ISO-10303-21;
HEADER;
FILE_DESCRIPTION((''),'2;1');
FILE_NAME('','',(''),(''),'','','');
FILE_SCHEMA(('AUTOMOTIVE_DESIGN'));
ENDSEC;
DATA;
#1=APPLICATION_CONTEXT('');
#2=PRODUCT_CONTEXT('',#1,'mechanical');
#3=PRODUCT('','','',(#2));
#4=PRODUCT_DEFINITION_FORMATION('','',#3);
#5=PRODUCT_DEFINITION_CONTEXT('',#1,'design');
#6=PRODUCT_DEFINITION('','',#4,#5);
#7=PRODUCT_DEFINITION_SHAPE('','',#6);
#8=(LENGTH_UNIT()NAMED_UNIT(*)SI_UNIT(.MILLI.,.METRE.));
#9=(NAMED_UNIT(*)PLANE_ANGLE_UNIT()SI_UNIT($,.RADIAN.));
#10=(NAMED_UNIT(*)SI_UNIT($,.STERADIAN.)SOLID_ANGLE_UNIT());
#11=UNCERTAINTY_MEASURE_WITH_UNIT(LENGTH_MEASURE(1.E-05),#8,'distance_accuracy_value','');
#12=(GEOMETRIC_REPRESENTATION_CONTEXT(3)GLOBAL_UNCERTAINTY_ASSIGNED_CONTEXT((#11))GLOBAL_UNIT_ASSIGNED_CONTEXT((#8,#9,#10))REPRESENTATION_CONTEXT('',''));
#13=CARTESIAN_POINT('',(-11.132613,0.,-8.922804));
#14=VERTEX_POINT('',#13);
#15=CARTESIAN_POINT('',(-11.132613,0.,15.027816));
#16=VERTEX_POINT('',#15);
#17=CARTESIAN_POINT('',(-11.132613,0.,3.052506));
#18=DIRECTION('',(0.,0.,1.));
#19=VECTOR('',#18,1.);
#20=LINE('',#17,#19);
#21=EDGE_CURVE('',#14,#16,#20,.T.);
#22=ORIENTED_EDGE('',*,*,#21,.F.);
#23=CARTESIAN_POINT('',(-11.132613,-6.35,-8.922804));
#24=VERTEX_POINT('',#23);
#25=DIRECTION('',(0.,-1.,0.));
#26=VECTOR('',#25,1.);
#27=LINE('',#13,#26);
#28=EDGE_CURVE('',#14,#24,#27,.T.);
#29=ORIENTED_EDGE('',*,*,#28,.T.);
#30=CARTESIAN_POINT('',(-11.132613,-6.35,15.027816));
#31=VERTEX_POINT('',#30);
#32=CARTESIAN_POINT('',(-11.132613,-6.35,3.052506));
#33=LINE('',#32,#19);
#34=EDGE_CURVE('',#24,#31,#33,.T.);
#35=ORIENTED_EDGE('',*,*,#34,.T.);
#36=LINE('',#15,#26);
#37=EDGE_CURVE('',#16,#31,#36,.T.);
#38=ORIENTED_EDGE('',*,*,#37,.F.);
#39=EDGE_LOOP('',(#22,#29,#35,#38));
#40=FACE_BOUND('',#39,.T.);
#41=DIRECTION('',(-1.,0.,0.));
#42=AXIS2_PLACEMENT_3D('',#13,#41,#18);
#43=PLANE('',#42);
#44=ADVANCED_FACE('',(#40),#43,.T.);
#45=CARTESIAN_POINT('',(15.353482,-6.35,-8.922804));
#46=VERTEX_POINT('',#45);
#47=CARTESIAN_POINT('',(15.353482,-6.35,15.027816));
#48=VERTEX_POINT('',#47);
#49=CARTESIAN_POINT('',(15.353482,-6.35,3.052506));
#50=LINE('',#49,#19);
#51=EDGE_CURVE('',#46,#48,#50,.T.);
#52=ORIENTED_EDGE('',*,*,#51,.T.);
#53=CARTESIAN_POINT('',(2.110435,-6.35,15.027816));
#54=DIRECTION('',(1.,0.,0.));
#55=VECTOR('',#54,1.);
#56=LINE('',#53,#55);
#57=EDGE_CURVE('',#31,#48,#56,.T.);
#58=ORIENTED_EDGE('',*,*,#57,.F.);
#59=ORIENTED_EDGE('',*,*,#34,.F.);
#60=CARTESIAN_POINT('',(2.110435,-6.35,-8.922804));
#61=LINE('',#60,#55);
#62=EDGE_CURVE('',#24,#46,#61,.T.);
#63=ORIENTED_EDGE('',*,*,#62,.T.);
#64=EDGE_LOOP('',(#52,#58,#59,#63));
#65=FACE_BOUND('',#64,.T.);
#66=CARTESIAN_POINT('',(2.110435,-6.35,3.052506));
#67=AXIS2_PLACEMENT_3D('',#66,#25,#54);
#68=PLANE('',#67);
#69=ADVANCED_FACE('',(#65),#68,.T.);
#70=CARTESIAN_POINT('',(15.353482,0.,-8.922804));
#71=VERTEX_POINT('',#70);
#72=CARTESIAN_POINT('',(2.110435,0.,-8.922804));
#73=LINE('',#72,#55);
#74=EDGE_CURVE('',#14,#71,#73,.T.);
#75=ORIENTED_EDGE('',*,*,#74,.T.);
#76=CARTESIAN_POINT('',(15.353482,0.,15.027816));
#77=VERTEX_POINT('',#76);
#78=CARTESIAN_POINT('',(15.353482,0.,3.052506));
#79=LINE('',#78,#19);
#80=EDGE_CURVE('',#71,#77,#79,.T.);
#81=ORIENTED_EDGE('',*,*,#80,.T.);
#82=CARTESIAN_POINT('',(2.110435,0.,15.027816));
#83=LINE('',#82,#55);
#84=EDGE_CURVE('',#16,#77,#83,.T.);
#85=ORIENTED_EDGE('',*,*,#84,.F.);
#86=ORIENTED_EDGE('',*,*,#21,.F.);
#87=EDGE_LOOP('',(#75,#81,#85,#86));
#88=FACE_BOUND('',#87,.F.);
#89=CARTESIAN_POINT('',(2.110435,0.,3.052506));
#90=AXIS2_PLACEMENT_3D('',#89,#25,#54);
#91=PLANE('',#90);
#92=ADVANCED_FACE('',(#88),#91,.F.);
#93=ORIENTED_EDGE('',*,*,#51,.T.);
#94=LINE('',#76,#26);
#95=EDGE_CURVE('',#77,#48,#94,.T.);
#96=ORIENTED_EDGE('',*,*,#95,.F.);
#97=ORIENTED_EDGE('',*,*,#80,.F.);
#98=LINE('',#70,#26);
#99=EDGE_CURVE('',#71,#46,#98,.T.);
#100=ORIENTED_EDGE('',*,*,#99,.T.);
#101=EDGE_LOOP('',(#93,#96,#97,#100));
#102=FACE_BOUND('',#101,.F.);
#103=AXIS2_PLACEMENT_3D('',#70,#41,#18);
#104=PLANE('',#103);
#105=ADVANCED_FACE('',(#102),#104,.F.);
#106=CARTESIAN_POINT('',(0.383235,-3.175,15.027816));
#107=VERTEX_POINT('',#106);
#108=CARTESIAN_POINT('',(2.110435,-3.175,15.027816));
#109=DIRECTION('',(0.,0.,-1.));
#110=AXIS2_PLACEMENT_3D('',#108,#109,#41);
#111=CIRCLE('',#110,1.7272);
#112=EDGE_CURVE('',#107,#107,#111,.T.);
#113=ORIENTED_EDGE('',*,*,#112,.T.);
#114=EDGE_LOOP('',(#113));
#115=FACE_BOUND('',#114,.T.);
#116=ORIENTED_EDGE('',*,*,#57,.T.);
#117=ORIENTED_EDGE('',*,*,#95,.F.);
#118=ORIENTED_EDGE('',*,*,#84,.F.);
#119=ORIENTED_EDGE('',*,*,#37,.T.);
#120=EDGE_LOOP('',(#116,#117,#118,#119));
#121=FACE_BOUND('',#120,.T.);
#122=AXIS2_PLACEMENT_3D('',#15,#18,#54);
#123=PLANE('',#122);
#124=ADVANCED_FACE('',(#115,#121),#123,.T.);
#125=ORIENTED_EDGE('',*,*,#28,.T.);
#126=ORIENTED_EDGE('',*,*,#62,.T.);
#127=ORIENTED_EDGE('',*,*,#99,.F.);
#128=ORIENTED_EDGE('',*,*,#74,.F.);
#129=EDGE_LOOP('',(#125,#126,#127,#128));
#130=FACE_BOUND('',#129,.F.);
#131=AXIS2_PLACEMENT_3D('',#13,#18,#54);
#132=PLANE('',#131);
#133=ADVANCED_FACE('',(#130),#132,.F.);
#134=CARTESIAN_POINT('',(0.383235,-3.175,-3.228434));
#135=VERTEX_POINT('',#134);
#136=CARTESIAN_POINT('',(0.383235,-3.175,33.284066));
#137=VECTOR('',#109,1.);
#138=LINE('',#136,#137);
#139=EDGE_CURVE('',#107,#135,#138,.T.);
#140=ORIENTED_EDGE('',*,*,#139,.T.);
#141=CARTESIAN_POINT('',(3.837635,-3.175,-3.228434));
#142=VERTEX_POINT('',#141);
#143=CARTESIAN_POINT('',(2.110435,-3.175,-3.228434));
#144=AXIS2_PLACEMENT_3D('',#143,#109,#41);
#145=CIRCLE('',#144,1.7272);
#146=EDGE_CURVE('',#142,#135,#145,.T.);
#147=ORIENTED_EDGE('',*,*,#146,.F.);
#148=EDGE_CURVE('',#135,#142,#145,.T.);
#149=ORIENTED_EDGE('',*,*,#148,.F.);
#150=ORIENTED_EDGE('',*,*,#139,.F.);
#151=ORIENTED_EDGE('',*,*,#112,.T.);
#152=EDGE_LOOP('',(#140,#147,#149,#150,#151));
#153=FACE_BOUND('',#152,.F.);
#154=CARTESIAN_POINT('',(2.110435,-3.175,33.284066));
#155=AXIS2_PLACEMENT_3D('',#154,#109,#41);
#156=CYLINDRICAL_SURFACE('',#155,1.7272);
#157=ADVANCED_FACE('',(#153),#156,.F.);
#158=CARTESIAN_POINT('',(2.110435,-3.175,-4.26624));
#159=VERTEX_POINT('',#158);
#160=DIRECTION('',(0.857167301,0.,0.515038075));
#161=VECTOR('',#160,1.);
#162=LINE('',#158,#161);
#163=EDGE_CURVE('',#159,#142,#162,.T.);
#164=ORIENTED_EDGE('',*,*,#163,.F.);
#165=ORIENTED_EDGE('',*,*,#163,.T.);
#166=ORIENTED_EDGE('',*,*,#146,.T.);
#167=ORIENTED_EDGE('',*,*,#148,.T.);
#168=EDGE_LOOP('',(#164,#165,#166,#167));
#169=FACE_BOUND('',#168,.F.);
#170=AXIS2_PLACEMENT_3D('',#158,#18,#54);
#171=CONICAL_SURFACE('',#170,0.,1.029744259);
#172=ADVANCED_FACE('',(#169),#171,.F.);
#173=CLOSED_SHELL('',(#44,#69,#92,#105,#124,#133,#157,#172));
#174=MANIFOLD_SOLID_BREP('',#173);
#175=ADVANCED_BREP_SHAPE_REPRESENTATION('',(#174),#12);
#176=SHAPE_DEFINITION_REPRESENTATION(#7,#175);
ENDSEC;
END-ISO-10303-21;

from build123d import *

# Parameters (mm, degrees)
F0_W     = 26.486095041
F0_H     = 23.9506205544
F1_DEPTH = 6.35
F3_D     = 3.4544
F3_DEPTH = 18.25625
F3_TIP   = 1.0378064612


with BuildPart() as f1:
    # F0 (on Front) → F1 (new body)
    with BuildSketch(Plane.XZ):
        with Locations((2.1104346961, 3.0525061302)):
            Rectangle(F0_W, F0_H)
    extrude(amount=F1_DEPTH)

    # F3
    with Locations(Plane.XY.offset(15.0278164074)):
        with Locations((2.1104346961, -3.175)):
            Hole(F3_D / 2, depth=F3_DEPTH)
            with Locations((0, 0, -(F3_DEPTH + F3_TIP / 2))):  # 118° drill point
                Cone(0, F3_D / 2, F3_TIP, mode=Mode.SUBTRACT)


solid = f1.part
